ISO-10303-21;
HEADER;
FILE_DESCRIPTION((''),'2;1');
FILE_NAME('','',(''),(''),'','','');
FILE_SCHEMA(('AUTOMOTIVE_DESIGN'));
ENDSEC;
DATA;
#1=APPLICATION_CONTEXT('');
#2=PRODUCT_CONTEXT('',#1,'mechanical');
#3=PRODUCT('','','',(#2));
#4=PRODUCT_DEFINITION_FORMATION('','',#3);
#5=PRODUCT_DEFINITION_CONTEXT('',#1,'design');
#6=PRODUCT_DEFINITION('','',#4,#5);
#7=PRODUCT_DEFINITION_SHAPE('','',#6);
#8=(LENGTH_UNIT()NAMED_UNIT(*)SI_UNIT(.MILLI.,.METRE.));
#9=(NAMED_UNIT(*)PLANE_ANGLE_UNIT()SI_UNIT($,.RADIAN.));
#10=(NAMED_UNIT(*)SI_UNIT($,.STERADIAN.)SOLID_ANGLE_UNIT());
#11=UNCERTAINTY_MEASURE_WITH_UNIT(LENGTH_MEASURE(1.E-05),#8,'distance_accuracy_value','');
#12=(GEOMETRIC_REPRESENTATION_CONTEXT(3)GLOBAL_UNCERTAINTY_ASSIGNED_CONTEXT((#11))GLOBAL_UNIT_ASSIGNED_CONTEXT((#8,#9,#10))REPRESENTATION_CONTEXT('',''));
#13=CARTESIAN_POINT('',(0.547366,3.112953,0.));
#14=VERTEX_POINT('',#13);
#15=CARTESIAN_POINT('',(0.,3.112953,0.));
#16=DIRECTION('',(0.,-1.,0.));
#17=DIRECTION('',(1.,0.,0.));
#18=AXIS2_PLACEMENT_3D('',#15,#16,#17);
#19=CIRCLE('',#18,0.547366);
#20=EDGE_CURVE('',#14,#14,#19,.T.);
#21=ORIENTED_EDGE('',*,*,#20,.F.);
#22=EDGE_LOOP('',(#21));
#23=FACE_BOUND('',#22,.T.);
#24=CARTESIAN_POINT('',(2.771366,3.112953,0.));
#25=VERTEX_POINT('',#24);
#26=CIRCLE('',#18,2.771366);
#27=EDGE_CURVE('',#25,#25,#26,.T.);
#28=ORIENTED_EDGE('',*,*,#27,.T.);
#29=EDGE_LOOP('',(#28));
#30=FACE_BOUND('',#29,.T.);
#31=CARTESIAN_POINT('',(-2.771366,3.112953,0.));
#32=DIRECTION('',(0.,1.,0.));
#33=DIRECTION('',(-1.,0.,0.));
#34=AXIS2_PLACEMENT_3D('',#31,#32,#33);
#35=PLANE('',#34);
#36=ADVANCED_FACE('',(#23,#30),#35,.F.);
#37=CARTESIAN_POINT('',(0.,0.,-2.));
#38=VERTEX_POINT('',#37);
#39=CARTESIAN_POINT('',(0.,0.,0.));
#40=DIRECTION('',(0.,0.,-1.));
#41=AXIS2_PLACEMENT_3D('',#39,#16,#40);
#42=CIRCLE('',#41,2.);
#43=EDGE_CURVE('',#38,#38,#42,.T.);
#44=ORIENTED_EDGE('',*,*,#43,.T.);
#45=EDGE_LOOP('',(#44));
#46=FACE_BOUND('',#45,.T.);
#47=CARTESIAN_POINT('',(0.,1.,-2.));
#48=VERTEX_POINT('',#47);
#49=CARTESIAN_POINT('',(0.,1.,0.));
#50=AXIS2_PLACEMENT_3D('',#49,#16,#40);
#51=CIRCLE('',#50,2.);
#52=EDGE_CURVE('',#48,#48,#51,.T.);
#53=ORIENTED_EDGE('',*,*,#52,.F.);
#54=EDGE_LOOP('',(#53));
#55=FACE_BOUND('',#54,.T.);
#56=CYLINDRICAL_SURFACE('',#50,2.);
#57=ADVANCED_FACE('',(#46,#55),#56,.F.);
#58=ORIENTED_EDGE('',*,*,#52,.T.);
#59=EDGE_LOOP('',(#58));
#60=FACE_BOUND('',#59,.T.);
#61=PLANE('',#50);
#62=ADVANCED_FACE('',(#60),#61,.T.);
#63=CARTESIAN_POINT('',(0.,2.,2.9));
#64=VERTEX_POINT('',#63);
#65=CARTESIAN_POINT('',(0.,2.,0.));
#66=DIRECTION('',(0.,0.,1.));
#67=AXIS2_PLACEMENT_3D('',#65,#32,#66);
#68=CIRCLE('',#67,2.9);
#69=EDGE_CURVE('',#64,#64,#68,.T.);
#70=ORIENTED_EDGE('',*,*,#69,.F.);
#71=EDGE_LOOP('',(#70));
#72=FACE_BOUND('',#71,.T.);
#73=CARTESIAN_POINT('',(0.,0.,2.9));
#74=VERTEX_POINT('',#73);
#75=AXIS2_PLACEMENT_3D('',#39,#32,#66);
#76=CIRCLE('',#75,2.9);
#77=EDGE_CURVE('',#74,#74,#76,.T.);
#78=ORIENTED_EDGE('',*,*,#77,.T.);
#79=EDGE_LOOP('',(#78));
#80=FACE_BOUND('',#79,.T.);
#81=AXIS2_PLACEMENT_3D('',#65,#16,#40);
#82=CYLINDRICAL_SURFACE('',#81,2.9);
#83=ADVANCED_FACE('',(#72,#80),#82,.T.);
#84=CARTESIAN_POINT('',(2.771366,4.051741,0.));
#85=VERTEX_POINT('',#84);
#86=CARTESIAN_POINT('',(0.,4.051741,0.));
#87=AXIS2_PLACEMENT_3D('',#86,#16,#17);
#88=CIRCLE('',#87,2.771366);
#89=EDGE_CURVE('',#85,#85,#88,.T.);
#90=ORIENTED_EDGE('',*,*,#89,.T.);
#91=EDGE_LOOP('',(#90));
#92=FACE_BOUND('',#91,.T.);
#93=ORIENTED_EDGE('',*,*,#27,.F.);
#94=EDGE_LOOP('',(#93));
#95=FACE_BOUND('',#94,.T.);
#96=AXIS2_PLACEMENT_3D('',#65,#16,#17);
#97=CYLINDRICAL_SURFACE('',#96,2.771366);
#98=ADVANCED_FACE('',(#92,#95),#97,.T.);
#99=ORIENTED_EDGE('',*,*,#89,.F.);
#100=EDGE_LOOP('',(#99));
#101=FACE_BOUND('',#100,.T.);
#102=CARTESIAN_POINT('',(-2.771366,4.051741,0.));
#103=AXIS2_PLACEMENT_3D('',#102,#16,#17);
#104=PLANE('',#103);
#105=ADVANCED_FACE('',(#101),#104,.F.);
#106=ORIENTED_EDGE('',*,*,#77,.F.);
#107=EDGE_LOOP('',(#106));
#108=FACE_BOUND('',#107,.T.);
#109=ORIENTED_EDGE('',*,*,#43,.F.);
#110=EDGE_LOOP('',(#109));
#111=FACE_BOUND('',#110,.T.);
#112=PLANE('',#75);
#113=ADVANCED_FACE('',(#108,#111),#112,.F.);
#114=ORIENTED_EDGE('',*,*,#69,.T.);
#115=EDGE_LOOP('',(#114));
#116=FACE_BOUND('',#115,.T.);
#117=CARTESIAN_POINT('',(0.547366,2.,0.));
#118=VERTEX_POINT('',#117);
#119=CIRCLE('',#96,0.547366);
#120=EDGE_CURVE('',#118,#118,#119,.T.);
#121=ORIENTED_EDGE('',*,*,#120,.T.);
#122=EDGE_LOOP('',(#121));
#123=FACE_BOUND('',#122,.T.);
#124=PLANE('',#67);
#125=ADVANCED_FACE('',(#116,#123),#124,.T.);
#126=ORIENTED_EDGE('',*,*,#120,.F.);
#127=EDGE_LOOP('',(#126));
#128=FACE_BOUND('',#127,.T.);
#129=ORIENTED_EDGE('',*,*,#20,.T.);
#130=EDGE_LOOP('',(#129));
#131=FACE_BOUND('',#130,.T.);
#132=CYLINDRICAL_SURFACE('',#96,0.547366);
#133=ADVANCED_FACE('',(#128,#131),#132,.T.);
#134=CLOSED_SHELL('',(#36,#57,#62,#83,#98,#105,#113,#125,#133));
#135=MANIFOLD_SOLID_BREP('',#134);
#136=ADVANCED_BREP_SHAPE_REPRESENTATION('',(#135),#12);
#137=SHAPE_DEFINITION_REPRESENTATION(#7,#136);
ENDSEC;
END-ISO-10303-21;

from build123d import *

# Parameters (mm, degrees)
SKETCH1_R           = 2.9
BOSS_EXTRUDE1_DEPTH = 2
SKETCH2_R           = 2
CUT_EXTRUDE1_DEPTH  = 1


with BuildPart() as part:
    # Sketch1 → Boss-Extrude1 (new body)
    with BuildSketch(Plane(origin=(0, 0, 0), x_dir=(1, 0, 0), z_dir=(0, 1, 0))):
        with Locations(Location((0, 0, 0), (0, 0, 270))):
            Circle(SKETCH1_R)
    extrude(amount=BOSS_EXTRUDE1_DEPTH)

    # Sketch2 → Cut-Extrude1 (cut)
    with BuildSketch(Plane.XZ):
        with Locations(Location((0, 0, 0), (0, 0, 270))):
            Circle(SKETCH2_R)
    extrude(amount=-CUT_EXTRUDE1_DEPTH, mode=Mode.SUBTRACT)

    # Sketch3 → Revolve4 (revolve)
    with BuildSketch(Plane.XY, mode=Mode.PRIVATE) as revolve4_sk:
        Polygon((-2.771365676, 3.112953388), (-0.547366303, 3.112953388), (-0.547366303, 2), (0, 2), (0, 4.051740853), (-2.771365676, 4.051740853), align=None)
    revolve(revolve4_sk.sketch.rotate(Axis((0, 2, 0), (0, 1, 0)), 180), axis=Axis((0, 2, 0), (0, 1, 0)))


solid = part.part
